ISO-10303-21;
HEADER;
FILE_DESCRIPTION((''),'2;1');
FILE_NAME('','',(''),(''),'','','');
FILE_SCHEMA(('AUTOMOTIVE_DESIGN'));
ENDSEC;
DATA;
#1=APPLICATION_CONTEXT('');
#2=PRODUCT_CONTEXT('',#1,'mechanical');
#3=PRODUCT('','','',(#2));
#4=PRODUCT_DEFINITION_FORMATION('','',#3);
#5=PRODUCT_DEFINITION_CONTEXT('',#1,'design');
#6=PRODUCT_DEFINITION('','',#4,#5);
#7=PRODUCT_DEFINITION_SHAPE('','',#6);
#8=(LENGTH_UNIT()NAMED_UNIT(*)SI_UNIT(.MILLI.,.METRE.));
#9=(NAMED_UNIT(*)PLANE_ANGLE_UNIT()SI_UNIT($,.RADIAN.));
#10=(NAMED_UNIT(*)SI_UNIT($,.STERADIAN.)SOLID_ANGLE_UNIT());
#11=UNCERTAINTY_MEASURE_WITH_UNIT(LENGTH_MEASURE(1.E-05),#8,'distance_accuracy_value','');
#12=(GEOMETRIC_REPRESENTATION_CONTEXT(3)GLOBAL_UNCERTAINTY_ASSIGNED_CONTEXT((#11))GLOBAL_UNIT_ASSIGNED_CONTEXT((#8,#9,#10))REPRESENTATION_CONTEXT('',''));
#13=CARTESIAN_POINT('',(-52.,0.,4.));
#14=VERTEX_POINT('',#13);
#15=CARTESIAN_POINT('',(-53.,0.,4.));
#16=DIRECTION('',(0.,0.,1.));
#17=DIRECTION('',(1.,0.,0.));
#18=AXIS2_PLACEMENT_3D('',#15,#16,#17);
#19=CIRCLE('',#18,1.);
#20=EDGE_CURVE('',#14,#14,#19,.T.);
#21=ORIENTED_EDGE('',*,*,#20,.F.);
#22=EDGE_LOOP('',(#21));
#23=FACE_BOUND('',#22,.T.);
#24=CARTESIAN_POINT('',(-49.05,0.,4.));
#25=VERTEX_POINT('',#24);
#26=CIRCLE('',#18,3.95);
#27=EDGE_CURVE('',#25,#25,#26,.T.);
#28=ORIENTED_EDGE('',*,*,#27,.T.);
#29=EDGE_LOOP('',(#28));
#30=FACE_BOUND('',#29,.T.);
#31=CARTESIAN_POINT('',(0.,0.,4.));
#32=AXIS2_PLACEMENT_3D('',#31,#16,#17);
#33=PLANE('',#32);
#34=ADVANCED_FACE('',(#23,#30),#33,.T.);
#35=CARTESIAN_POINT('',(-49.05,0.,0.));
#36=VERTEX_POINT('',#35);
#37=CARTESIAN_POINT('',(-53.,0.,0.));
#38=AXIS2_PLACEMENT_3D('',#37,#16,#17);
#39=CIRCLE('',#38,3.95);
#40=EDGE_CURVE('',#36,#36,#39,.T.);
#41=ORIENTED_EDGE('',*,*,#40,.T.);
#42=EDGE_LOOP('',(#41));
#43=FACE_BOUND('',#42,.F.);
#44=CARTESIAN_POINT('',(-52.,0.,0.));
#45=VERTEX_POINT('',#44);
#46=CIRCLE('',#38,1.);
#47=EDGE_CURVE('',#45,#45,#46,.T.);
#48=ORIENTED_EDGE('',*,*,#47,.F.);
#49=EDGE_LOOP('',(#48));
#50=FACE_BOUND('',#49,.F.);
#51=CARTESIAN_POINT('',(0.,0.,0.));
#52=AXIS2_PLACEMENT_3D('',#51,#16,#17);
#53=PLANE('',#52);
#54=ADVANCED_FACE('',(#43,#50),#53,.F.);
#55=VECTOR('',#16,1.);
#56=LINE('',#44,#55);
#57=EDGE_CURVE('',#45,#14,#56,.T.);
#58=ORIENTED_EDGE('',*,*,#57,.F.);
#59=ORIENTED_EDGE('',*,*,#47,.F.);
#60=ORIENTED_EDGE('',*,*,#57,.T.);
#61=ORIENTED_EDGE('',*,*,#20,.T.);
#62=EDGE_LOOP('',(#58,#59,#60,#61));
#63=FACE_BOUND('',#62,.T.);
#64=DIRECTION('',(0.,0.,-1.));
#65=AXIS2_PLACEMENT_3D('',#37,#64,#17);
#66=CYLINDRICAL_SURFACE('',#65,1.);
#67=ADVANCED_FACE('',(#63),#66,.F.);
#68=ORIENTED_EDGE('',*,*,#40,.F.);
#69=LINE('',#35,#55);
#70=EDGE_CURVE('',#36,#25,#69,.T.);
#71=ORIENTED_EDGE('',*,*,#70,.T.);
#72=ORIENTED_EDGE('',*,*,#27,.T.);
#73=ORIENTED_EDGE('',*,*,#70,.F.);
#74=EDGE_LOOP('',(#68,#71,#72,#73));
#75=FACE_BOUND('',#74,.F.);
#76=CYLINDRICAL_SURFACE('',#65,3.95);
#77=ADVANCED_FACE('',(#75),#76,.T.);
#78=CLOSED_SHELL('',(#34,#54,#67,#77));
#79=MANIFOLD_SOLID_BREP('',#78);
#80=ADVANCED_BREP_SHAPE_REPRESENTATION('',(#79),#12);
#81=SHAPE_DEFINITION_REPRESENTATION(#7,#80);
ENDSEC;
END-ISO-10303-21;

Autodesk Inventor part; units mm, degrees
ref_plane "YZ Plane" through (0, 0, 0) normal (1, 0, 0) x (0, 1, 0)
ref_plane "XZ Plane" through (0, 0, 0) normal (0, 1, 0) x (-1, 0, 0)
ref_plane "XY Plane" through (0, 0, 0) normal (0, 0, 1) x (1, 0, 0)
sketch "Sketch1" plane through (0, 0, 0) normal (0, 0, 1) x (1, 0, 0)
  circle A0 centre (-53, 0) radius 3.95
  circle A1 centre (-53, 0) radius 1
  point P0 (0, 0)
  dimension "d0" = 7.9
  dimension "d1" = 2
extrude "Extrusion1" add sketch "Sketch1" along normal blind 4
properties part number "z-linear-encoder-strip-standoff" material "Nylon 6/6"
